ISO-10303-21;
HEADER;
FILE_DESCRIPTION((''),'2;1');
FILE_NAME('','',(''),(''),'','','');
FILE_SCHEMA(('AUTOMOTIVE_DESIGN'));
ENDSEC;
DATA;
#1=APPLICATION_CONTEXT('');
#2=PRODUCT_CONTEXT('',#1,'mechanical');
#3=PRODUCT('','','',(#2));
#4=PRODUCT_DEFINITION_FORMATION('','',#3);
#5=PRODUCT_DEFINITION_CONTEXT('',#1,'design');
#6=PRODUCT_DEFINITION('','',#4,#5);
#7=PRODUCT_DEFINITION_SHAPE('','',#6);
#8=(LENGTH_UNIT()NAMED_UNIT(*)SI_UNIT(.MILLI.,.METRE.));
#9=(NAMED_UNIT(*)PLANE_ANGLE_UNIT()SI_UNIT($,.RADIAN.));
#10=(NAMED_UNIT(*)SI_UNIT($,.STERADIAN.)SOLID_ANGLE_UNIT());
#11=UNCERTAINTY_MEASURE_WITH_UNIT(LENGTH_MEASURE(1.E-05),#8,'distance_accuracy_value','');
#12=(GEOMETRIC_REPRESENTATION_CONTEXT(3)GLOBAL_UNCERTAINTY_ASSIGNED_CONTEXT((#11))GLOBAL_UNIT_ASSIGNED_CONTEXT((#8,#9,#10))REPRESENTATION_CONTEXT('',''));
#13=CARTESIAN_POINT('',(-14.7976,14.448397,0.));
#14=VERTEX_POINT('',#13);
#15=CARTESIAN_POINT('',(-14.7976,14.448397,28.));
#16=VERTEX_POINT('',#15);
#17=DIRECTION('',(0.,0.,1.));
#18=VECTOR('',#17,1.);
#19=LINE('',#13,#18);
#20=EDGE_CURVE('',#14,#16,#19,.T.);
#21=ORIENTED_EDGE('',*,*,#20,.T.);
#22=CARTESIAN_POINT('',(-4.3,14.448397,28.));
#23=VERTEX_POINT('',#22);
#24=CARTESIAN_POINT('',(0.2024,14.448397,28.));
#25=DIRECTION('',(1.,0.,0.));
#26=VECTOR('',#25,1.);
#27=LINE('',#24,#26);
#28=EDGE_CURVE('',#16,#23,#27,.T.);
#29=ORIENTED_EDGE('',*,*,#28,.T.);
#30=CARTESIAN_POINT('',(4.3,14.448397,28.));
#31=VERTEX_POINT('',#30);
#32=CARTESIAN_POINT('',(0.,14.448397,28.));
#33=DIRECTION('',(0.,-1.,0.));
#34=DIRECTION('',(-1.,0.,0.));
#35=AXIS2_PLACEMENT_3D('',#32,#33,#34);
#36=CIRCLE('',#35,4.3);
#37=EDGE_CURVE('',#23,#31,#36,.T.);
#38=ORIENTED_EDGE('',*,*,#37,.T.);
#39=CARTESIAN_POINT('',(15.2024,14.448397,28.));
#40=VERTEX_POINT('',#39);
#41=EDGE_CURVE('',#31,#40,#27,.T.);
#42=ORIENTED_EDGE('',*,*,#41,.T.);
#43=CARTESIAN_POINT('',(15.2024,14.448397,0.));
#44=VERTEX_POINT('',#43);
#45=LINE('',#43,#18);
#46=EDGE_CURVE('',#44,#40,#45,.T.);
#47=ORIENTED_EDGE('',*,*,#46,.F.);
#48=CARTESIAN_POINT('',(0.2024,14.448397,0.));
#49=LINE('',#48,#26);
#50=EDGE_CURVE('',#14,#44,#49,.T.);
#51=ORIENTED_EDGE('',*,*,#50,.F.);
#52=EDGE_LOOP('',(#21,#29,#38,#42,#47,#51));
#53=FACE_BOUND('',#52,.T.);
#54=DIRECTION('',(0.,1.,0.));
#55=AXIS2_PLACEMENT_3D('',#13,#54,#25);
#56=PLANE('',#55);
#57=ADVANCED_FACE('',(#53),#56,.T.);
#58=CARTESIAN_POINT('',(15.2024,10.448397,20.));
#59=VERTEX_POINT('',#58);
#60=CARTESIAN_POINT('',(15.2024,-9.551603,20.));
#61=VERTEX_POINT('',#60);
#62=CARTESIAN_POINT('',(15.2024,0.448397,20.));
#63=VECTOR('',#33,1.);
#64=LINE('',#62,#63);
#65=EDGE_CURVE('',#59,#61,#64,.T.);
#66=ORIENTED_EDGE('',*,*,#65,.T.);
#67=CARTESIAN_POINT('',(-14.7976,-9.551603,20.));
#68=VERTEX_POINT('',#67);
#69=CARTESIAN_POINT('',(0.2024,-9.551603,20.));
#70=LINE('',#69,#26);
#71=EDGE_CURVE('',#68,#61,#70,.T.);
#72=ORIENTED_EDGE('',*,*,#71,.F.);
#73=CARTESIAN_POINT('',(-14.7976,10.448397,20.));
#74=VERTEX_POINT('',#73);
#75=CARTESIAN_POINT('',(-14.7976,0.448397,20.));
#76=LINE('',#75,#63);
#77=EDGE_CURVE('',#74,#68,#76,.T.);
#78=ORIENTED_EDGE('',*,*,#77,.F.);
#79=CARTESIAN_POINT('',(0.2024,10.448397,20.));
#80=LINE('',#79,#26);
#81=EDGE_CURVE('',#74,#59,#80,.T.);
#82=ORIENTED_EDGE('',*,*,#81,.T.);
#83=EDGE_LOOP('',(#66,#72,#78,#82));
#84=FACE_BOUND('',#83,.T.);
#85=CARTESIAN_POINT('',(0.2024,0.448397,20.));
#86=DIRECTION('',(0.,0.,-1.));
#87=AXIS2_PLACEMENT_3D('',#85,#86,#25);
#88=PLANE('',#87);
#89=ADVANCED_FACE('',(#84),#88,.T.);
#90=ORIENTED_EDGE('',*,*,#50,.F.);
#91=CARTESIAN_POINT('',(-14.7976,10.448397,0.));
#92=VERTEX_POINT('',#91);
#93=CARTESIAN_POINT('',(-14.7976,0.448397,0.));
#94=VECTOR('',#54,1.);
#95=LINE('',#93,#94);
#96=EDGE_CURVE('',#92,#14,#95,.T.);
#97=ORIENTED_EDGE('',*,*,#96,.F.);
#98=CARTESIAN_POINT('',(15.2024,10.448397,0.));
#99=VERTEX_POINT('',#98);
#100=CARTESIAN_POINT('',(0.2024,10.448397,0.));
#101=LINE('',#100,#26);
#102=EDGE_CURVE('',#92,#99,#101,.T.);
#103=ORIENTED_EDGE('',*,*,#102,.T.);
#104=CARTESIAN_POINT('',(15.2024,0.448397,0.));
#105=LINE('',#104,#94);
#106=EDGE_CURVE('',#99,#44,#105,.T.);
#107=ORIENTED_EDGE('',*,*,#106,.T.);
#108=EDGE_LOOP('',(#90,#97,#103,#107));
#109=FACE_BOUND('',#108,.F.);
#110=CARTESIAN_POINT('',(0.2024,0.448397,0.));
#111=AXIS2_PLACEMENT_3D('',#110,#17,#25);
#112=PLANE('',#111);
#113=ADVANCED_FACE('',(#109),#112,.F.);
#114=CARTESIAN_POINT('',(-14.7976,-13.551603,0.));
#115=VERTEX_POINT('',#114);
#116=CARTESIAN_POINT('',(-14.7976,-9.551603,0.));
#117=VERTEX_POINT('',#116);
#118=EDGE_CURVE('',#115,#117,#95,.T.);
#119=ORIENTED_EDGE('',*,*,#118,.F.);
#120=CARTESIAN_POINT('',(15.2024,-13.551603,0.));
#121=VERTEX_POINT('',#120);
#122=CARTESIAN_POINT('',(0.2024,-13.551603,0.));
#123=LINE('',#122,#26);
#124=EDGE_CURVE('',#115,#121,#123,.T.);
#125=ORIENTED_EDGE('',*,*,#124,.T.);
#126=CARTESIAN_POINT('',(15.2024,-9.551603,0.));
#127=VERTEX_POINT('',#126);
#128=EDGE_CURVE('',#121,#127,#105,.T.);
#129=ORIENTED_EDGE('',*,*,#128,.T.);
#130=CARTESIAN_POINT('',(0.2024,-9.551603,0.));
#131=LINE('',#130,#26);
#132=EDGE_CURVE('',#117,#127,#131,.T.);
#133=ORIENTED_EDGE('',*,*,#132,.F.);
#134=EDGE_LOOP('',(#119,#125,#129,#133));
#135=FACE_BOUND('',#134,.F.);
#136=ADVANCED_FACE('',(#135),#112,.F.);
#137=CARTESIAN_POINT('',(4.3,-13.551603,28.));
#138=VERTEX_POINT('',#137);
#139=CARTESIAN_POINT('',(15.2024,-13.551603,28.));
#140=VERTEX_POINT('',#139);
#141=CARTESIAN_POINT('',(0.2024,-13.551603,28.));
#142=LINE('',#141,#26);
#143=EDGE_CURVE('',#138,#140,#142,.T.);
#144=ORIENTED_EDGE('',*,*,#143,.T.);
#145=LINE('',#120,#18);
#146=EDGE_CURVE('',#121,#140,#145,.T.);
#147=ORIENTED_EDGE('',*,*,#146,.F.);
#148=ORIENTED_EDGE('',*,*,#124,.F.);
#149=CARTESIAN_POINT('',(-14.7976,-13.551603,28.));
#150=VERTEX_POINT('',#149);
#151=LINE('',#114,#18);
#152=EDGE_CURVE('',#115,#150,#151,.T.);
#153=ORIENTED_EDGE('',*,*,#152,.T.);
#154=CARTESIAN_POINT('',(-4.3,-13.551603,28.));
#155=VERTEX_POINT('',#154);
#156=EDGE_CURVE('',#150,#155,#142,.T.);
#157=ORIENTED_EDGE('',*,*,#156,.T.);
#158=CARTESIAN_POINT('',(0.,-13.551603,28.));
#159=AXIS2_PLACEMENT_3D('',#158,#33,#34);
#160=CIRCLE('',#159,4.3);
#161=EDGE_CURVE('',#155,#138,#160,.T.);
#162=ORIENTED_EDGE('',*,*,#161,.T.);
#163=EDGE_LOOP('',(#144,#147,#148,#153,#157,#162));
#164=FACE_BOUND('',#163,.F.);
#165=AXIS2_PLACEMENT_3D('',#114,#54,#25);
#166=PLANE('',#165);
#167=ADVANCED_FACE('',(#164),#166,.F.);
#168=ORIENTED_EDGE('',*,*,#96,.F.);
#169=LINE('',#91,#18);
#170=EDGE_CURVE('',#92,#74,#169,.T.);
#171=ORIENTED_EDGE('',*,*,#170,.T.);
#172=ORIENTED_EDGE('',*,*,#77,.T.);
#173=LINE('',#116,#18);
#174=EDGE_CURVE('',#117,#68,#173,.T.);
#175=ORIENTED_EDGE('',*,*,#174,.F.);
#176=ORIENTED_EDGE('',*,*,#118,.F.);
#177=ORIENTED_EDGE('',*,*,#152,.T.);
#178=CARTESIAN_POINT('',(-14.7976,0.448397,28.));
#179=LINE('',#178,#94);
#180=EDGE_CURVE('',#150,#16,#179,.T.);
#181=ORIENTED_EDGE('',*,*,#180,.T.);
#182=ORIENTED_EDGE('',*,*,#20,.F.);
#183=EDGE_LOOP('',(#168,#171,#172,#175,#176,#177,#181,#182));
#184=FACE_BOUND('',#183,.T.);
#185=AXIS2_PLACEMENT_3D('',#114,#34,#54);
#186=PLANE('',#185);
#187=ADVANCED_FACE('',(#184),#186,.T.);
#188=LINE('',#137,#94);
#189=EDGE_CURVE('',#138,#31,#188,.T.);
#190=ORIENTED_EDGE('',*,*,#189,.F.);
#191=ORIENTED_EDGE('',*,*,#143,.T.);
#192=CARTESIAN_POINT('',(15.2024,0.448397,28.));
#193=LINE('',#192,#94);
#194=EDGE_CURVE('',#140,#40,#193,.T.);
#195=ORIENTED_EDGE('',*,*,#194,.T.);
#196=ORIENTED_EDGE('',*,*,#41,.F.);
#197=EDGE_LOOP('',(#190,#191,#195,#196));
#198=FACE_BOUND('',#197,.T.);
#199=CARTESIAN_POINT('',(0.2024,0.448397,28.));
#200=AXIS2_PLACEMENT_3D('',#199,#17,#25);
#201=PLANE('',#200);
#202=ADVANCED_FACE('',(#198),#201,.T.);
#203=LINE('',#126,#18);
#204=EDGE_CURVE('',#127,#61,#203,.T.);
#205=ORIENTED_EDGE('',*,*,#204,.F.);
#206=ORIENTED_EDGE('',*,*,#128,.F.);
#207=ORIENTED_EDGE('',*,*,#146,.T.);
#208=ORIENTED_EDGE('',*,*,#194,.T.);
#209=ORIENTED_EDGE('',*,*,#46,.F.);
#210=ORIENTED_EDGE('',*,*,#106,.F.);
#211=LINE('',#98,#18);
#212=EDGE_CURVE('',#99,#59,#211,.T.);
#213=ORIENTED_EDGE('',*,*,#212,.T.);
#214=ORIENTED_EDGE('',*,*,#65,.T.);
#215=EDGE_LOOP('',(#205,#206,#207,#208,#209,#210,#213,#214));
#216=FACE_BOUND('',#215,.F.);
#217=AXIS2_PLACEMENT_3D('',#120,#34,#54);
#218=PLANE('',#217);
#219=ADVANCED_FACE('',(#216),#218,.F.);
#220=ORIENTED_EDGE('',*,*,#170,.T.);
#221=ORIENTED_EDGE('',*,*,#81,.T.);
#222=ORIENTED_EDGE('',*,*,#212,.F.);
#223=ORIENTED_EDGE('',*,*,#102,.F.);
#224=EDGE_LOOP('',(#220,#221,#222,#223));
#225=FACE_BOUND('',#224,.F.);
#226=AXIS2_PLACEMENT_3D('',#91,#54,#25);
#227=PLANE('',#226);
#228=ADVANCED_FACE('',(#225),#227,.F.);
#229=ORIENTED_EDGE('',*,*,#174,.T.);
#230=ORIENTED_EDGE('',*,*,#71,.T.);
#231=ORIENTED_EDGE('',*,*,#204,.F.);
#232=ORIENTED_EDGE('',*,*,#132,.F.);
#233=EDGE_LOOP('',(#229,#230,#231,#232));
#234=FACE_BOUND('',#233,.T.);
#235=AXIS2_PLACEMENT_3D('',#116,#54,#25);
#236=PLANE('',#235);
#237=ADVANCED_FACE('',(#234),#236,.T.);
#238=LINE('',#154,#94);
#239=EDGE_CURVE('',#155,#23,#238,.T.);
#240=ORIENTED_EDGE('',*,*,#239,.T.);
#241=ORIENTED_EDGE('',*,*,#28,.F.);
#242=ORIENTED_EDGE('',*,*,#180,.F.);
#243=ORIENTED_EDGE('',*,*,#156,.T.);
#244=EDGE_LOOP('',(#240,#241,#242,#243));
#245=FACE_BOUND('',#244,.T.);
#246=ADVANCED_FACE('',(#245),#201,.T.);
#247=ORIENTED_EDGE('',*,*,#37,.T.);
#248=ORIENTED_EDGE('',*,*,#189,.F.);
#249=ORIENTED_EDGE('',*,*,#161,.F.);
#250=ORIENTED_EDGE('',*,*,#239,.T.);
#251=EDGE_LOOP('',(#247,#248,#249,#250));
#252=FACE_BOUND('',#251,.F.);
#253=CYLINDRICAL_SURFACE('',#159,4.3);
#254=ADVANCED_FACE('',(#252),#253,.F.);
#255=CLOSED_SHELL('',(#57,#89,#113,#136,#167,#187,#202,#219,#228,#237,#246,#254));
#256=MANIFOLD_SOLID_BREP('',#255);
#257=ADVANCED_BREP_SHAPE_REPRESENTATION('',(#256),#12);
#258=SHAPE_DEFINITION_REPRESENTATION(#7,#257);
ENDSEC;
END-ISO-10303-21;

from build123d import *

# Parameters (mm, degrees)
F0_W     = 30
F0_H     = 28
F1_DEPTH = 28
F3_DEPTH = 28.001
F4_W     = 30
F4_H     = 20
F5_DEPTH = 20


with BuildPart() as f1:
    # F0 (on Top) → F1 (new body)
    with BuildSketch(Plane.XY):
        with Locations((0.2024, 0.448397)):
            Rectangle(F0_W, F0_H)
    extrude(amount=F1_DEPTH)

    # F2 (on face) → F3 (cut, through all)
    with BuildSketch(Plane.XZ.offset(13.551603)):
        with BuildLine():
            ThreePointArc((-4.3, 28), (0, 23.7), (4.3, 28))
            Line((4.3, 28), (-4.3, 28))
        make_face()
    extrude(amount=-F3_DEPTH, mode=Mode.SUBTRACT)

    # F4 (on face) → F5 (cut)
    with BuildSketch(Plane(origin=(0, 0, 0), x_dir=(1, 0, 0), z_dir=(0, 0, -1))):
        with Locations((0.2024, -0.448397)):
            Rectangle(F4_W, F4_H)
    extrude(amount=-F5_DEPTH, mode=Mode.SUBTRACT)


solid = f1.part
